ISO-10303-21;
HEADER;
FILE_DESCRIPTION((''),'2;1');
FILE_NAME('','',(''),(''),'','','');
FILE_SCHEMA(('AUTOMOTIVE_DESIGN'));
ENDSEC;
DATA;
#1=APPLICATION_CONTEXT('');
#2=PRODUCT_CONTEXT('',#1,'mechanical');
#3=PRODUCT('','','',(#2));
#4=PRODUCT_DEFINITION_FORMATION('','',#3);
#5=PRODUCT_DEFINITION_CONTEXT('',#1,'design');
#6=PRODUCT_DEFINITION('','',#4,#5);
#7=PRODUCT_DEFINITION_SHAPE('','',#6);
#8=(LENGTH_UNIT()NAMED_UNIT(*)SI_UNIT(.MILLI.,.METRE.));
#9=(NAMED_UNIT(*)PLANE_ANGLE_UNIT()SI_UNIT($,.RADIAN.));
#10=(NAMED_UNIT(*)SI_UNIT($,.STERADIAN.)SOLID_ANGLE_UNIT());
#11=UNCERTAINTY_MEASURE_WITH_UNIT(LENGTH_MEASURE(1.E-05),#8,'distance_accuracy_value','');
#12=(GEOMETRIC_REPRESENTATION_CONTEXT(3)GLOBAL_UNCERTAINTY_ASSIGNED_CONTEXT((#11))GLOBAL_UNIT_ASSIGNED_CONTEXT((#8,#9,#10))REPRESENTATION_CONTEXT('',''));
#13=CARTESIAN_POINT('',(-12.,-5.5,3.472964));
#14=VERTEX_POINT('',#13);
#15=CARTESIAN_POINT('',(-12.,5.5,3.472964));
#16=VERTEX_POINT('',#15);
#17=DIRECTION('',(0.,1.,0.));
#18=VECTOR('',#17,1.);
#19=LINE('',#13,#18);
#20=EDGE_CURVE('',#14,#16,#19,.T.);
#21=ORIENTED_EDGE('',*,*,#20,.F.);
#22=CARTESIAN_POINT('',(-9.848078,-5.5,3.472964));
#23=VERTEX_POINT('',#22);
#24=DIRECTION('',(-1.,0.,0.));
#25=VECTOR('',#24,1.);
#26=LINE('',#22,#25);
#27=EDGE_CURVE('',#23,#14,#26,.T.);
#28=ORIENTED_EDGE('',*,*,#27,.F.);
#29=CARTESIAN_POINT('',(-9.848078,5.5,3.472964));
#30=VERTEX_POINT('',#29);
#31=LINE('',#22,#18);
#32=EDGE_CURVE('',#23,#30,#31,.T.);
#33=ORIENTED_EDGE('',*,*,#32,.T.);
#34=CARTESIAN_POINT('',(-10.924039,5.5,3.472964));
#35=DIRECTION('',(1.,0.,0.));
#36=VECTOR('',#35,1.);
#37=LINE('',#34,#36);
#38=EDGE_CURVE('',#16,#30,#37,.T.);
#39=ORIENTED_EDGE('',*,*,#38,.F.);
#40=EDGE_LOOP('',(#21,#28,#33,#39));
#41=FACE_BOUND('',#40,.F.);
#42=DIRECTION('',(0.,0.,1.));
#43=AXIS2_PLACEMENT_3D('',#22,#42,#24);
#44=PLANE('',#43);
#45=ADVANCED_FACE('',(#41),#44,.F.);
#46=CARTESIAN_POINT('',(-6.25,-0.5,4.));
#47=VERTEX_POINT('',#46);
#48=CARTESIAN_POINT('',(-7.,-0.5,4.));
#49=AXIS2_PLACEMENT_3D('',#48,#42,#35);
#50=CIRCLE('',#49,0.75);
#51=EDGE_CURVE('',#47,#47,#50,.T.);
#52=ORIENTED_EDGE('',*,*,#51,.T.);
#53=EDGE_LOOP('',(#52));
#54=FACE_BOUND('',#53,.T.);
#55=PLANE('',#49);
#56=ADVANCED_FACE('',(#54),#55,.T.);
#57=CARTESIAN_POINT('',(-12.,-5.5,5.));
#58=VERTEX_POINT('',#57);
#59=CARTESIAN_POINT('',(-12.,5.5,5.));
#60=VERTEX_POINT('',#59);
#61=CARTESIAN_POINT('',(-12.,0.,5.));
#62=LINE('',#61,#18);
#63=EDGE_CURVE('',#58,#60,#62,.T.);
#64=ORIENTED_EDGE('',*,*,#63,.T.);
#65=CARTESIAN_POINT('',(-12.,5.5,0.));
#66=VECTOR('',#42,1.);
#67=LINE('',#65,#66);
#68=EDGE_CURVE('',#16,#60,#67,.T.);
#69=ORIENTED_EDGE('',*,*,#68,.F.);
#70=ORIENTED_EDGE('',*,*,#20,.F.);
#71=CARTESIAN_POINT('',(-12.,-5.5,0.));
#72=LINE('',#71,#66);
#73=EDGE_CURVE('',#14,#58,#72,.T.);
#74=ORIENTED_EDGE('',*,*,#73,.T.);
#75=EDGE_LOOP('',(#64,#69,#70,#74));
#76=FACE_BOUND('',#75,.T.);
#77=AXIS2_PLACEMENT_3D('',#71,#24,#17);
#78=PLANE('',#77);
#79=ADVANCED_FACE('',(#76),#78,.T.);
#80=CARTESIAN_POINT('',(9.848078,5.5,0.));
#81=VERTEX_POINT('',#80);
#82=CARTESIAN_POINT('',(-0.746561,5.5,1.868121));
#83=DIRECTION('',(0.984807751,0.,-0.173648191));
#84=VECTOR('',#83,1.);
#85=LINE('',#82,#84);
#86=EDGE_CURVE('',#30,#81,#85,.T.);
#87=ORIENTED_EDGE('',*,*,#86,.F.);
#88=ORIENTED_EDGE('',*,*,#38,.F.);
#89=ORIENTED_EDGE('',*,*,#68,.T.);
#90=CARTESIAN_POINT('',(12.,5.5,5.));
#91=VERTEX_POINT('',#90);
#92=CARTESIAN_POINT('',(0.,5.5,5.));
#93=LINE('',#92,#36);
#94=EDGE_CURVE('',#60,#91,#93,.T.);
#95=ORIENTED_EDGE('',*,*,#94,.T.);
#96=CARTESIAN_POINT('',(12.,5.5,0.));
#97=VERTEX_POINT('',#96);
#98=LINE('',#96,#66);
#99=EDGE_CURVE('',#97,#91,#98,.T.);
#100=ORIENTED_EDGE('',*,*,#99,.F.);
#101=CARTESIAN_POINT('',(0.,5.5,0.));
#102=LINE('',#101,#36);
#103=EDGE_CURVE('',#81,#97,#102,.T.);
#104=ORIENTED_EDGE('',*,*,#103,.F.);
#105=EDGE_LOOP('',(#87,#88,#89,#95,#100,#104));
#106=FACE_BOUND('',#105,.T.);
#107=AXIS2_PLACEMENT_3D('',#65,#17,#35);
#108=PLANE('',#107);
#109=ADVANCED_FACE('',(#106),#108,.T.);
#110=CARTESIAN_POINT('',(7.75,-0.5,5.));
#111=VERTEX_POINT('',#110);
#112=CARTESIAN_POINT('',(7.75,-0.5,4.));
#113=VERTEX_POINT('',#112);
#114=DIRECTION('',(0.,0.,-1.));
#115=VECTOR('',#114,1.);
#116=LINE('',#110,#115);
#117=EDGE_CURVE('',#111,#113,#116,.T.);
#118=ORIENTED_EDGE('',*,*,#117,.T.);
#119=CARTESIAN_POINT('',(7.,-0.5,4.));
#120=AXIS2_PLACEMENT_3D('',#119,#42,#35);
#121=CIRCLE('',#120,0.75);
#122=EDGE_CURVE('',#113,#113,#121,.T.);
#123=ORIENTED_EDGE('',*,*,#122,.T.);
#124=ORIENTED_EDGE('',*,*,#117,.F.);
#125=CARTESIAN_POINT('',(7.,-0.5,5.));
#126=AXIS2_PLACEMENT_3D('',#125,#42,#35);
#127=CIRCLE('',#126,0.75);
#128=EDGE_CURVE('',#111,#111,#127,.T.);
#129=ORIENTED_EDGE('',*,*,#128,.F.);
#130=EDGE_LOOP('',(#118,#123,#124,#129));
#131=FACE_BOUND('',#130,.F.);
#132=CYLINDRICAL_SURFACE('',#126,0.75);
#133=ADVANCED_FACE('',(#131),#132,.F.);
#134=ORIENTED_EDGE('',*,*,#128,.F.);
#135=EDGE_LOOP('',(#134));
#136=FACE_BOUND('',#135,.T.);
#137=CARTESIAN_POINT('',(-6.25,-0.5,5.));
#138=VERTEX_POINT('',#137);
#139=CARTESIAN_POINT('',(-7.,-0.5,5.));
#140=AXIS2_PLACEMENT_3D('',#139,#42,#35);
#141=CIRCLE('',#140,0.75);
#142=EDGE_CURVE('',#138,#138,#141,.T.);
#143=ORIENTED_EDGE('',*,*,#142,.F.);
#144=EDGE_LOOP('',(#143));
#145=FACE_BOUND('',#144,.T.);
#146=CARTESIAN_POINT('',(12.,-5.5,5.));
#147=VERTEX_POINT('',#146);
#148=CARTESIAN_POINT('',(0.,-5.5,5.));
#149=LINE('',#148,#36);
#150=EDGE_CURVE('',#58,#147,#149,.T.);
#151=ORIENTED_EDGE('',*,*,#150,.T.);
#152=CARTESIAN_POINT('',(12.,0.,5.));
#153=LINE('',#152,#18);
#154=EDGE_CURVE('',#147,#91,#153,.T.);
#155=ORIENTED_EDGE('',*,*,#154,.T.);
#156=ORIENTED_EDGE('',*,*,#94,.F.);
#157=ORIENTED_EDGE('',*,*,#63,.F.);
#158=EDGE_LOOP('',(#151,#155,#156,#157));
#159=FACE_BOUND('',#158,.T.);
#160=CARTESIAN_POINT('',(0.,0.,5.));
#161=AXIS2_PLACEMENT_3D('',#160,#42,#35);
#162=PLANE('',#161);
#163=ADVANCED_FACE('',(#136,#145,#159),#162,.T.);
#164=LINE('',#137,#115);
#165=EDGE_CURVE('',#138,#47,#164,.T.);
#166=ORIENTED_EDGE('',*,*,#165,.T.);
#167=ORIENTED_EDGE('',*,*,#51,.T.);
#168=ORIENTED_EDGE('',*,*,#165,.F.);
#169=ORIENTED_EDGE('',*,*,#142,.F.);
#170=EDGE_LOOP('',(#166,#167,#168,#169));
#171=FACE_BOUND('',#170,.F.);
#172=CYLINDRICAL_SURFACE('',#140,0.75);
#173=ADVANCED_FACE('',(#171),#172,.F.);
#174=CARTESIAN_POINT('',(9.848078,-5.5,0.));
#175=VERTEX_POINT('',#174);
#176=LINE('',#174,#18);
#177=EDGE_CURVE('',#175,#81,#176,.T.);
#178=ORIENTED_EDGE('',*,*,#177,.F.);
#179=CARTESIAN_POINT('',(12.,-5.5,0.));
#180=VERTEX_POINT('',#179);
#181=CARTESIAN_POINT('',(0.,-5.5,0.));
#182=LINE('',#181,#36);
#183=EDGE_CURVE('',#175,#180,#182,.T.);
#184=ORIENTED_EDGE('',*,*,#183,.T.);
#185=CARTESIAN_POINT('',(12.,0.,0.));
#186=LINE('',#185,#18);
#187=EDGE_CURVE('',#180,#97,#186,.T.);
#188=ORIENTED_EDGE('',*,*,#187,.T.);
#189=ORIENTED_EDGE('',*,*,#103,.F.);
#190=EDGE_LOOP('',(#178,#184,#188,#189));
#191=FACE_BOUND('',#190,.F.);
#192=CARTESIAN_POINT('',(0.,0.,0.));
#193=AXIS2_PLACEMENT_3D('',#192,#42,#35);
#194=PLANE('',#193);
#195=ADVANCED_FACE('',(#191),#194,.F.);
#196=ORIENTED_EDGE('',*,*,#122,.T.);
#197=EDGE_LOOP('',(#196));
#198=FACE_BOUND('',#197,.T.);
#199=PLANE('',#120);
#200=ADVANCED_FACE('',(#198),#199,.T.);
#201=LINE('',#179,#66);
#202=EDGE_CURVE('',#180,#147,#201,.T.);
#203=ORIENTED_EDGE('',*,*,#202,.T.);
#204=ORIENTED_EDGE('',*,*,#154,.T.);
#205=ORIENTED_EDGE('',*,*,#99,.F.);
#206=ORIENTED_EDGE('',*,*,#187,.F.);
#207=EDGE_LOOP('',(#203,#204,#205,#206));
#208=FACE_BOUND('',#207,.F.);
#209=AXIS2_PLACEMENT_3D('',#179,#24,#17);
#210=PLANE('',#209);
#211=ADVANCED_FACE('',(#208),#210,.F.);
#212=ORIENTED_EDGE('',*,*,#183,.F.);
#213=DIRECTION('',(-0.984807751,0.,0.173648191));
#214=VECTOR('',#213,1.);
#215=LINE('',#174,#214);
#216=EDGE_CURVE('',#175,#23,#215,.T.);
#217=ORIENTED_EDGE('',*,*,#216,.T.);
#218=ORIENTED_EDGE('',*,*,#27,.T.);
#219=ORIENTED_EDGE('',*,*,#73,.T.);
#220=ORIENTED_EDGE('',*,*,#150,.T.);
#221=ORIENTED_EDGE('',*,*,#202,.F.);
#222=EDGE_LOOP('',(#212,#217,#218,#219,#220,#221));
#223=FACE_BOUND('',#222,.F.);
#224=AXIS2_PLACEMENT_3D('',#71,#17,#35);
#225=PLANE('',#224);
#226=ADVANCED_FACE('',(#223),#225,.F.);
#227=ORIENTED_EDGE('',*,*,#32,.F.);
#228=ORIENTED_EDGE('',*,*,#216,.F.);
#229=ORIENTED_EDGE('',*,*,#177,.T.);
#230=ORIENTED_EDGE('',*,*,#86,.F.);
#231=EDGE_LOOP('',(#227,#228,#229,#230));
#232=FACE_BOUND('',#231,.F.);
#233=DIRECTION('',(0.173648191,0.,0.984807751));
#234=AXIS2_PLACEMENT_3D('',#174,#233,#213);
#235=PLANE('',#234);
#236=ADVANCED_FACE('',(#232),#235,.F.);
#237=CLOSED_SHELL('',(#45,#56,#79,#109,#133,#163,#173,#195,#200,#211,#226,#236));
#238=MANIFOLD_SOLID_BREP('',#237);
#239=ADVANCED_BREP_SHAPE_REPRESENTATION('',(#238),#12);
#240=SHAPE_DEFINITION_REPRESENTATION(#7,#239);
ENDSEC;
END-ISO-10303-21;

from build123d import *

# Parameters (mm, degrees)
F0_W     = 24
F0_H     = 11
F1_DEPTH = 5
F2_R     = 0.75
F3_DEPTH = 1
F5_DEPTH = 11.001


with BuildPart() as f1:
    # F0 (on Top) → F1 (new body)
    with BuildSketch(Plane.XY):
        Rectangle(F0_W, F0_H)
    extrude(amount=F1_DEPTH)

    # F2 (on face) → F3 (cut)
    with BuildSketch(Plane.XY.offset(5)):
        with Locations((-7, -0.5)):
            Circle(F2_R)
        with Locations((7, -0.5)):
            Circle(F2_R)
    extrude(amount=-F3_DEPTH, mode=Mode.SUBTRACT)

    # F4 (on face) → F5 (cut, through all)
    with BuildSketch(Plane.XZ.offset(5.5)):
        Polygon((-12, 0), (9.848078, 0), (-9.848078, 3.472964), (-12, 3.472964), align=None)
    extrude(amount=-F5_DEPTH, mode=Mode.SUBTRACT)


solid = f1.part
